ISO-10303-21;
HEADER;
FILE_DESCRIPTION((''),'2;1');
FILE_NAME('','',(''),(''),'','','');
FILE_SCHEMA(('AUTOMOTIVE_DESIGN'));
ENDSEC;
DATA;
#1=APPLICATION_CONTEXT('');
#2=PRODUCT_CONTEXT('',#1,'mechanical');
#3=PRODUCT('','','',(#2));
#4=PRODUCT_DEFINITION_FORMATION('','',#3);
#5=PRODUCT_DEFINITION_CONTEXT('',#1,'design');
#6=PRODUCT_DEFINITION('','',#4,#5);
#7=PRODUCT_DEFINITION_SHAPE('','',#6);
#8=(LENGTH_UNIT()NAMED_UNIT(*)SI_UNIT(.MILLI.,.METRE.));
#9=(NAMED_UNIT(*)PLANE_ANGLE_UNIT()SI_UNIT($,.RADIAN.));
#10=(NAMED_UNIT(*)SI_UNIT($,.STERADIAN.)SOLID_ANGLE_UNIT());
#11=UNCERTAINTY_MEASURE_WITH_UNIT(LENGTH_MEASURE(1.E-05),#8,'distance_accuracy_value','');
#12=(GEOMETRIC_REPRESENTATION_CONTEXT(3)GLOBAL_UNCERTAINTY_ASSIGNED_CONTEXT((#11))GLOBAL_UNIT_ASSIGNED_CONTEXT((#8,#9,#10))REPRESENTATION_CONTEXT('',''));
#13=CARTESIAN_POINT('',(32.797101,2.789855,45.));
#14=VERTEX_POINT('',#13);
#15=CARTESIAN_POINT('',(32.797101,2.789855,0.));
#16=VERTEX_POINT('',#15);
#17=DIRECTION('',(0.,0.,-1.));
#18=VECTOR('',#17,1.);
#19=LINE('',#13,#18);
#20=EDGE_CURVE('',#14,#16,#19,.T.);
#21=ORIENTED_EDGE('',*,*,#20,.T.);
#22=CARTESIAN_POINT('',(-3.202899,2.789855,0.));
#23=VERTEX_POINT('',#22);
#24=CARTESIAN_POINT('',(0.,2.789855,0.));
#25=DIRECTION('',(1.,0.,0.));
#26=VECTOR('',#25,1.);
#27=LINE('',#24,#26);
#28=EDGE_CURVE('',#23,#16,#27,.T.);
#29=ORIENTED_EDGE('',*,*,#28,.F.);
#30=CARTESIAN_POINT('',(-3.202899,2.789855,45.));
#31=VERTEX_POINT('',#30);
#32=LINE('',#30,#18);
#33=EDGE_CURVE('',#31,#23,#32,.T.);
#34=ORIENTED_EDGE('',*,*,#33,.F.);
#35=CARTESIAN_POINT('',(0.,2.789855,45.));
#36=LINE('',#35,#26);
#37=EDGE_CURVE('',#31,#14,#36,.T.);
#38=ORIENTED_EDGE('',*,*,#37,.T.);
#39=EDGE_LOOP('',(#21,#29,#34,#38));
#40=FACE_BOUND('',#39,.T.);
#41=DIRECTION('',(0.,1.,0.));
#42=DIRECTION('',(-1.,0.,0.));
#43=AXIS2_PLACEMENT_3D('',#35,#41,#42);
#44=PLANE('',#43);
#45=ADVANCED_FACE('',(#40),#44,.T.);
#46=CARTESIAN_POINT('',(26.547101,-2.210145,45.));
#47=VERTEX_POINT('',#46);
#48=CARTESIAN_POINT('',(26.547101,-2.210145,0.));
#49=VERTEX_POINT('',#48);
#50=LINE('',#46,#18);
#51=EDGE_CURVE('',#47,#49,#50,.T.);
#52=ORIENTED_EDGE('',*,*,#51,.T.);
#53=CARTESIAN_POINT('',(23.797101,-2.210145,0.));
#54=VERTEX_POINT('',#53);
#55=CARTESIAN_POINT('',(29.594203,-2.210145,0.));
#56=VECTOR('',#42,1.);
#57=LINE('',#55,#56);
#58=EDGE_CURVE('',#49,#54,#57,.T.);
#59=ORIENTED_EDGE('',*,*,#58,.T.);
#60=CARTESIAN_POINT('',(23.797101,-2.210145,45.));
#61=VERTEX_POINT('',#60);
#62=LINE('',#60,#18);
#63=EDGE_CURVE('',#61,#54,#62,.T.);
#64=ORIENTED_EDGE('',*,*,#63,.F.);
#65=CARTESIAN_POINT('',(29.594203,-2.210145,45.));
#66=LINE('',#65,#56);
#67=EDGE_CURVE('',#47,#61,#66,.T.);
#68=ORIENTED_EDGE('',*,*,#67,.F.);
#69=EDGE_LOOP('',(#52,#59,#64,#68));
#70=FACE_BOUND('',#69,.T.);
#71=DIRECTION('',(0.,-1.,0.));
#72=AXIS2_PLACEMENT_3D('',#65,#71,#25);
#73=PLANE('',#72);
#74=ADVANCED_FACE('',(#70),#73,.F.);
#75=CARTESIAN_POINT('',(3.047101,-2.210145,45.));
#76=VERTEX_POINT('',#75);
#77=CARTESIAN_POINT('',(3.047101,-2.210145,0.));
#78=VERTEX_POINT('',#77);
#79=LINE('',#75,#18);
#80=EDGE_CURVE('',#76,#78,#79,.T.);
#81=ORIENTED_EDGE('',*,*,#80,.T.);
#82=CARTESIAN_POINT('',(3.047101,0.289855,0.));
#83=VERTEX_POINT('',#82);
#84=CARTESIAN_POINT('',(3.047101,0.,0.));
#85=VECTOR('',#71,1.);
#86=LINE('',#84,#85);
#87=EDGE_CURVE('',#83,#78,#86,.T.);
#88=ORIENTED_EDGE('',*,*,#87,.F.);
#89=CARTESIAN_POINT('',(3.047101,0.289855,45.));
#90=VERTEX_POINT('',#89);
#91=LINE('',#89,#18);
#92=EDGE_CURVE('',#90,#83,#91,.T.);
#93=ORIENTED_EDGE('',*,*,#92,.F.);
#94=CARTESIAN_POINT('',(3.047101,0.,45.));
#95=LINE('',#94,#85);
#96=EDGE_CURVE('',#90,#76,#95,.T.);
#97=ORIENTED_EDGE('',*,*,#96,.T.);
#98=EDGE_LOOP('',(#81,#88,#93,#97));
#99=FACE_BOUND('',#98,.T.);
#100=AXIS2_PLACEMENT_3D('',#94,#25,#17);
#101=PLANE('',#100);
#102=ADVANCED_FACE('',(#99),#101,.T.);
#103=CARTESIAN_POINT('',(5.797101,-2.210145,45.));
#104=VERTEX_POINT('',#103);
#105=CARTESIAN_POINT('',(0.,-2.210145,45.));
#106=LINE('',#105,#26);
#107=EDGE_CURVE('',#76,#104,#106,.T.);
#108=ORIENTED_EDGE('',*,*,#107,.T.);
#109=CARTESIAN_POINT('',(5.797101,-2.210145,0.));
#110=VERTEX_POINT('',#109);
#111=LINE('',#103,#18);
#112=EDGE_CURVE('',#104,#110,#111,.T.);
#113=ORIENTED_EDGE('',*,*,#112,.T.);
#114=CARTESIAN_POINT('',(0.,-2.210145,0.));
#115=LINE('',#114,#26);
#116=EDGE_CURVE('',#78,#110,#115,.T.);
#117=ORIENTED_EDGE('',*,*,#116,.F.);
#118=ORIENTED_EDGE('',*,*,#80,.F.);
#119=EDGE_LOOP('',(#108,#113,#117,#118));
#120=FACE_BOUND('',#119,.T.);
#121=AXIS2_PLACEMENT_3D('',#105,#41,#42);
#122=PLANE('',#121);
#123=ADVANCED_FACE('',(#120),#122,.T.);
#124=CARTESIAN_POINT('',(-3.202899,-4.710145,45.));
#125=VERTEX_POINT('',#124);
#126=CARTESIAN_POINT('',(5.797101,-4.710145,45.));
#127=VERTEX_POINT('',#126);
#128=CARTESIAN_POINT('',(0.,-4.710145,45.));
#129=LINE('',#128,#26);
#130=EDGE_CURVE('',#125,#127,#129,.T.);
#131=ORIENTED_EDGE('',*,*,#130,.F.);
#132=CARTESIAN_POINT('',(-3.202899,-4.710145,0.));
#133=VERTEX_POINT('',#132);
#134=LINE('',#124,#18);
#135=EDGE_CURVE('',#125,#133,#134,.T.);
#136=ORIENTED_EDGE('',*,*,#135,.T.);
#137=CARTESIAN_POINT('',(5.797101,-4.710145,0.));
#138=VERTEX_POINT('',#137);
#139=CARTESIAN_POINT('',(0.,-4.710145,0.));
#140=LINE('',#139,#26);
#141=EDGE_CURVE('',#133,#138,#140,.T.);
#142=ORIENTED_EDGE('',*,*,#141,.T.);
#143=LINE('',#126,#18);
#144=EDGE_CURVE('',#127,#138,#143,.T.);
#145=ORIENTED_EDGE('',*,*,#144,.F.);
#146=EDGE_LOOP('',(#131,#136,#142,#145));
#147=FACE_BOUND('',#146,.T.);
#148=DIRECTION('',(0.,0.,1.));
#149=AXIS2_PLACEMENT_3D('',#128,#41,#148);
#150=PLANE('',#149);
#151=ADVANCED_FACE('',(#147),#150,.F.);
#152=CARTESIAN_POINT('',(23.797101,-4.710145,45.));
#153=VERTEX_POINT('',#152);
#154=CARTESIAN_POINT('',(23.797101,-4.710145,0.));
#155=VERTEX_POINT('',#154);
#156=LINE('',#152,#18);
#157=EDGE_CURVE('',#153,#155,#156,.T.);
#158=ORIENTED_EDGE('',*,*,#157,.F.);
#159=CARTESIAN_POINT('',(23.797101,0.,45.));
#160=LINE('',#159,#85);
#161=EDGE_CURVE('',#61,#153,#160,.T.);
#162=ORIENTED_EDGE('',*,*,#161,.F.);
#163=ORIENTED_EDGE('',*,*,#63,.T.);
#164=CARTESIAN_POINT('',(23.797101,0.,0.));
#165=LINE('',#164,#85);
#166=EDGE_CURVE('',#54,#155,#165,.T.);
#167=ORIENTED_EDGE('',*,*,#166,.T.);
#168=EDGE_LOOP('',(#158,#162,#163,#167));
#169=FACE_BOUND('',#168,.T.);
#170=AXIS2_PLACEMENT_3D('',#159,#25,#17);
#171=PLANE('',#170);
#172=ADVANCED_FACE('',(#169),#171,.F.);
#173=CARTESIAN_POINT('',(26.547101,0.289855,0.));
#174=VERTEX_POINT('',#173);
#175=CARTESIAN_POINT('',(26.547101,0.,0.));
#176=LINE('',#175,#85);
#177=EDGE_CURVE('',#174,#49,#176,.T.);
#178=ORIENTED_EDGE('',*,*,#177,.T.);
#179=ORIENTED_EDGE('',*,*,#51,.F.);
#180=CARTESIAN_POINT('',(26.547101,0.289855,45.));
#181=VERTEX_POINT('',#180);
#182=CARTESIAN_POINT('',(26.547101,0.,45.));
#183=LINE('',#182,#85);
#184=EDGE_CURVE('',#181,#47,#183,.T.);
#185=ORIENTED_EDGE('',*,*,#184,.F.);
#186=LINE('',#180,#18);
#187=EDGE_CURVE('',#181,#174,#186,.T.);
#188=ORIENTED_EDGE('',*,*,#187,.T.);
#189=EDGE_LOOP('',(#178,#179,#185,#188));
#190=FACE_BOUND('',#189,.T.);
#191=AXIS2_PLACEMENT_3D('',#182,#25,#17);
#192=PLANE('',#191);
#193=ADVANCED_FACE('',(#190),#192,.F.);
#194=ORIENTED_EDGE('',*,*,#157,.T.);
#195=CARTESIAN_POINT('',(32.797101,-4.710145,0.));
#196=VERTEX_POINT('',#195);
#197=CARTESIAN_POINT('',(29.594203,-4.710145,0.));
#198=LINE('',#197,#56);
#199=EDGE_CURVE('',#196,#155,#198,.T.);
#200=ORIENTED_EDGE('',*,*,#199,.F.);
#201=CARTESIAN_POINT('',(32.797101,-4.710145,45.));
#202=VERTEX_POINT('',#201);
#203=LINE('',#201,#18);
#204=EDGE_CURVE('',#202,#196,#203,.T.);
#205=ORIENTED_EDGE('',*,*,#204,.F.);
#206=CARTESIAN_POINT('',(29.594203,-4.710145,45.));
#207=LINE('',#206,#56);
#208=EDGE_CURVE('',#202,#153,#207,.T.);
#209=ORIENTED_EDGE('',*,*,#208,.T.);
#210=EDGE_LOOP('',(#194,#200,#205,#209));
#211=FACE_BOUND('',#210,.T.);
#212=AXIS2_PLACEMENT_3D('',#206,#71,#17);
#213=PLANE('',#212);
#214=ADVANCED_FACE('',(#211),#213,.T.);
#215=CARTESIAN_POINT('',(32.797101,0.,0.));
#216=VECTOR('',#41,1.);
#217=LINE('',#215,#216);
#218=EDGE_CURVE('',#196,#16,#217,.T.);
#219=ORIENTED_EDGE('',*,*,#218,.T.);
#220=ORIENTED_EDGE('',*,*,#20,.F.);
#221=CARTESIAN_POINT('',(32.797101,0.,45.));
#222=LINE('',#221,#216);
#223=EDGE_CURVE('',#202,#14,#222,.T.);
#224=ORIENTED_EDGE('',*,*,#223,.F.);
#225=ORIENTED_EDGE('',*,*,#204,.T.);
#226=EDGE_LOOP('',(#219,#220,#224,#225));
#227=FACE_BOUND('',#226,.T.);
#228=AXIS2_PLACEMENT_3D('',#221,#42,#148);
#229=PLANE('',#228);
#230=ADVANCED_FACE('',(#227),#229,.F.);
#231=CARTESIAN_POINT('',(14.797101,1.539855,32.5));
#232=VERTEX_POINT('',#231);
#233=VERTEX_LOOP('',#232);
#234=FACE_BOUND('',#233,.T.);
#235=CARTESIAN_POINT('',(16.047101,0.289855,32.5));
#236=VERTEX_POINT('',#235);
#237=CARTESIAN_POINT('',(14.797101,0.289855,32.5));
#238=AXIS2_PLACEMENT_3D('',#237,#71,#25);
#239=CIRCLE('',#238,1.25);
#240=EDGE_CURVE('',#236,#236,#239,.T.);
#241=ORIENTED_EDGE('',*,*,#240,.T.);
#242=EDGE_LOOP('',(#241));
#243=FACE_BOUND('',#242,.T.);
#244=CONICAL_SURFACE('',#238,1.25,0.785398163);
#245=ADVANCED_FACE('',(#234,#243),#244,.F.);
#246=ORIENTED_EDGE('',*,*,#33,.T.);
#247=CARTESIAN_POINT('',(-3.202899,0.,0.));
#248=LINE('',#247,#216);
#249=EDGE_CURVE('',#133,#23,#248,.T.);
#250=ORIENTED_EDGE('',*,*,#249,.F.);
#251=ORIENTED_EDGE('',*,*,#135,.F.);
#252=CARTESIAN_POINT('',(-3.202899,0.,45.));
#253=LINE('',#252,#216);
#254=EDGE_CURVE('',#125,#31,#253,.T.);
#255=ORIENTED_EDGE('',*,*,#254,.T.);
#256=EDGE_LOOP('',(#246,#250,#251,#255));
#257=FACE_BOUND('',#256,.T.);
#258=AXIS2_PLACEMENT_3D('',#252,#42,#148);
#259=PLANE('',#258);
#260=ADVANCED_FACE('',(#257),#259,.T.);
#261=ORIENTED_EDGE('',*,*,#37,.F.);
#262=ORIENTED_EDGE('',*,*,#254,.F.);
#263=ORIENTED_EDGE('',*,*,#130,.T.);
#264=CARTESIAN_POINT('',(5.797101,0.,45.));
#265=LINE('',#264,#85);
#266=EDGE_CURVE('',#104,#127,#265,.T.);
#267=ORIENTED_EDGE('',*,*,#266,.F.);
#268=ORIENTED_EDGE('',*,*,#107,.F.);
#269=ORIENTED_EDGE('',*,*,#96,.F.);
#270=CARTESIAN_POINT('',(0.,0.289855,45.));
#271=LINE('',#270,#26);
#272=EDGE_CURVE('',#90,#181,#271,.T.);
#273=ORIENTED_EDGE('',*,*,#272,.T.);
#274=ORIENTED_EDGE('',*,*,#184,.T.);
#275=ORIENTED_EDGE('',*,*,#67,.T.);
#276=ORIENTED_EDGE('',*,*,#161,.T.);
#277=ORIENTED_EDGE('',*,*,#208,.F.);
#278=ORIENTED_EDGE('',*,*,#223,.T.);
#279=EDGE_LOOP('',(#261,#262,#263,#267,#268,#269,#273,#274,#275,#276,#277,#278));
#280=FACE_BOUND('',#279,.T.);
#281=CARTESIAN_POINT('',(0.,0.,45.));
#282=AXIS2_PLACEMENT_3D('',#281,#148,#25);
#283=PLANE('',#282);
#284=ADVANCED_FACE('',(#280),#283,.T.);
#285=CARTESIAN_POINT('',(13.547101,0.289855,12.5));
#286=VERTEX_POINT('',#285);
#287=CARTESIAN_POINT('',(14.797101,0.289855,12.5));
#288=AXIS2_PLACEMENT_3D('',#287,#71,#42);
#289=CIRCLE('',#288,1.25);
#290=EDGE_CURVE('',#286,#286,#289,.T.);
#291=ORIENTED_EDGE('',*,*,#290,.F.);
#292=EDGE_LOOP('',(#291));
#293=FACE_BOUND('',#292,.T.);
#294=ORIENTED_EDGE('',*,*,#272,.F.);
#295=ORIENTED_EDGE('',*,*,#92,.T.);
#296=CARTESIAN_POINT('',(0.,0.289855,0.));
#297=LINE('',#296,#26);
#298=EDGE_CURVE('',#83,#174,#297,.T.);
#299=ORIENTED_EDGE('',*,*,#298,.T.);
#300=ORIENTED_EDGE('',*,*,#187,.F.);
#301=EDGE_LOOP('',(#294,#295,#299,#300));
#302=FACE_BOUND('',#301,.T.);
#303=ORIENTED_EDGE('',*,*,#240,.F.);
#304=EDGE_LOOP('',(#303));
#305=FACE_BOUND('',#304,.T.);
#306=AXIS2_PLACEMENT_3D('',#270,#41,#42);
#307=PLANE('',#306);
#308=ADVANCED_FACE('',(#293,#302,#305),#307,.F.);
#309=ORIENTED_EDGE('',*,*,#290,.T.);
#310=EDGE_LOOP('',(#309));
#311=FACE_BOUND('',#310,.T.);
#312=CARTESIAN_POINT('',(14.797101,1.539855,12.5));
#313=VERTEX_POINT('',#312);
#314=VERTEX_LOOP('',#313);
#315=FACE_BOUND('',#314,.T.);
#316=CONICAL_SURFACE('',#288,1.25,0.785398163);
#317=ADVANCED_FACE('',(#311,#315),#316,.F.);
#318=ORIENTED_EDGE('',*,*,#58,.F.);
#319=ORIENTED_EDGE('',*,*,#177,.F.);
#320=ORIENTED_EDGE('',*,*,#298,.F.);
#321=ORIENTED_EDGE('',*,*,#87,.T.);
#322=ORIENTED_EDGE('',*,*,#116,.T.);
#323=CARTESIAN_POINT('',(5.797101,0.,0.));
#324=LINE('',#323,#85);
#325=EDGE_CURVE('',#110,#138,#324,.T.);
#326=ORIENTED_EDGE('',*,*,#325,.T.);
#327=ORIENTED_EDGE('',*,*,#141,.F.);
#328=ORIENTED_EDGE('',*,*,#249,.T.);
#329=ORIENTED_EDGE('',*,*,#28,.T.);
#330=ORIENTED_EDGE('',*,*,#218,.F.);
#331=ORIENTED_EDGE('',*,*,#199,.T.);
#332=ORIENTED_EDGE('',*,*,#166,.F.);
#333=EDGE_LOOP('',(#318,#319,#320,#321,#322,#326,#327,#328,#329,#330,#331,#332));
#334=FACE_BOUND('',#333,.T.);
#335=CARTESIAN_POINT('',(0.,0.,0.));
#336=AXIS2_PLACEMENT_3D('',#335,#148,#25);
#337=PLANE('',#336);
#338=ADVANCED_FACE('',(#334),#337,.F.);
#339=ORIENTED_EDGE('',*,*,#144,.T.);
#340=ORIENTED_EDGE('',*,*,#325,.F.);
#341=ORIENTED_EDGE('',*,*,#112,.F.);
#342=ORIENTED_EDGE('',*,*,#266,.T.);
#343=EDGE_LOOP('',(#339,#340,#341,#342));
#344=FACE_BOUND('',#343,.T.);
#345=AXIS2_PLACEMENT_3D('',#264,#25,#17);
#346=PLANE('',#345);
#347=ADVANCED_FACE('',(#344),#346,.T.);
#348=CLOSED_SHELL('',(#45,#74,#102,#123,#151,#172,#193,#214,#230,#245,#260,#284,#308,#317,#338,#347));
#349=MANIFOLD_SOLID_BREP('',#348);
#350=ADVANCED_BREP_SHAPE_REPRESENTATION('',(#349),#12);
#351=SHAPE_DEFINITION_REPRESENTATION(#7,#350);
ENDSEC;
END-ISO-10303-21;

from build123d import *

# Parameters (mm, degrees)
SKETCH1_W           = 6.25
SKETCH1_H           = 2.5
SKETCH1_W_2         = 9
BOSS_EXTRUDE1_DEPTH = 45


with BuildPart() as part:
    # Sketch1 → Boss-Extrude1 (new body)
    with BuildSketch(Plane.XY):
        Polygon((-3.202898551, 2.789855072), (-3.202898551, 0.289855072), (3.047101449, 0.289855072), (14.797101449, 0.289855072), (14.797101449, 2.789855072), align=None)
        with Locations((-0.077898551, -0.960144928)):
            Rectangle(SKETCH1_W, SKETCH1_H)
        with Locations((1.297101449, -3.460144928)):
            Rectangle(SKETCH1_W_2, SKETCH1_H)
    boss_extrude1 = extrude(amount=BOSS_EXTRUDE1_DEPTH)

    # Mirror1: Boss-Extrude1 across plane
    add(boss_extrude1.mirror(Plane(origin=(14.797101449, 0, 45), x_dir=(0, 0, 1), z_dir=(-1, 0, 0))))

    # Cut-Extrude1 cone 1 section (through the dimple's axis) → Cut-Extrude1 (revolve, cut)
    with BuildSketch(Plane(origin=(14.797101449, 0.289855072, 32.5), x_dir=(0, 0, -1), z_dir=(1, 0, 0))):
        Polygon((0, 0), (1.25, 0), (0, 1.25), align=None)
    revolve(axis=Axis((14.797101449, 0.289855072, 32.5), (0, 1, 0)), mode=Mode.SUBTRACT)

    # Cut-Extrude1 cone 2 section (through the dimple's axis) → Cut-Extrude1 cone 2 (revolve, cut)
    with BuildSketch(Plane(origin=(14.797101449, 0.289855072, 12.5), x_dir=(0, 0, -1), z_dir=(1, 0, 0))):
        Polygon((0, 0), (1.25, 0), (0, 1.25), align=None)
    revolve(axis=Axis((14.797101449, 0.289855072, 12.5), (0, 1, 0)), mode=Mode.SUBTRACT)


solid = part.part
